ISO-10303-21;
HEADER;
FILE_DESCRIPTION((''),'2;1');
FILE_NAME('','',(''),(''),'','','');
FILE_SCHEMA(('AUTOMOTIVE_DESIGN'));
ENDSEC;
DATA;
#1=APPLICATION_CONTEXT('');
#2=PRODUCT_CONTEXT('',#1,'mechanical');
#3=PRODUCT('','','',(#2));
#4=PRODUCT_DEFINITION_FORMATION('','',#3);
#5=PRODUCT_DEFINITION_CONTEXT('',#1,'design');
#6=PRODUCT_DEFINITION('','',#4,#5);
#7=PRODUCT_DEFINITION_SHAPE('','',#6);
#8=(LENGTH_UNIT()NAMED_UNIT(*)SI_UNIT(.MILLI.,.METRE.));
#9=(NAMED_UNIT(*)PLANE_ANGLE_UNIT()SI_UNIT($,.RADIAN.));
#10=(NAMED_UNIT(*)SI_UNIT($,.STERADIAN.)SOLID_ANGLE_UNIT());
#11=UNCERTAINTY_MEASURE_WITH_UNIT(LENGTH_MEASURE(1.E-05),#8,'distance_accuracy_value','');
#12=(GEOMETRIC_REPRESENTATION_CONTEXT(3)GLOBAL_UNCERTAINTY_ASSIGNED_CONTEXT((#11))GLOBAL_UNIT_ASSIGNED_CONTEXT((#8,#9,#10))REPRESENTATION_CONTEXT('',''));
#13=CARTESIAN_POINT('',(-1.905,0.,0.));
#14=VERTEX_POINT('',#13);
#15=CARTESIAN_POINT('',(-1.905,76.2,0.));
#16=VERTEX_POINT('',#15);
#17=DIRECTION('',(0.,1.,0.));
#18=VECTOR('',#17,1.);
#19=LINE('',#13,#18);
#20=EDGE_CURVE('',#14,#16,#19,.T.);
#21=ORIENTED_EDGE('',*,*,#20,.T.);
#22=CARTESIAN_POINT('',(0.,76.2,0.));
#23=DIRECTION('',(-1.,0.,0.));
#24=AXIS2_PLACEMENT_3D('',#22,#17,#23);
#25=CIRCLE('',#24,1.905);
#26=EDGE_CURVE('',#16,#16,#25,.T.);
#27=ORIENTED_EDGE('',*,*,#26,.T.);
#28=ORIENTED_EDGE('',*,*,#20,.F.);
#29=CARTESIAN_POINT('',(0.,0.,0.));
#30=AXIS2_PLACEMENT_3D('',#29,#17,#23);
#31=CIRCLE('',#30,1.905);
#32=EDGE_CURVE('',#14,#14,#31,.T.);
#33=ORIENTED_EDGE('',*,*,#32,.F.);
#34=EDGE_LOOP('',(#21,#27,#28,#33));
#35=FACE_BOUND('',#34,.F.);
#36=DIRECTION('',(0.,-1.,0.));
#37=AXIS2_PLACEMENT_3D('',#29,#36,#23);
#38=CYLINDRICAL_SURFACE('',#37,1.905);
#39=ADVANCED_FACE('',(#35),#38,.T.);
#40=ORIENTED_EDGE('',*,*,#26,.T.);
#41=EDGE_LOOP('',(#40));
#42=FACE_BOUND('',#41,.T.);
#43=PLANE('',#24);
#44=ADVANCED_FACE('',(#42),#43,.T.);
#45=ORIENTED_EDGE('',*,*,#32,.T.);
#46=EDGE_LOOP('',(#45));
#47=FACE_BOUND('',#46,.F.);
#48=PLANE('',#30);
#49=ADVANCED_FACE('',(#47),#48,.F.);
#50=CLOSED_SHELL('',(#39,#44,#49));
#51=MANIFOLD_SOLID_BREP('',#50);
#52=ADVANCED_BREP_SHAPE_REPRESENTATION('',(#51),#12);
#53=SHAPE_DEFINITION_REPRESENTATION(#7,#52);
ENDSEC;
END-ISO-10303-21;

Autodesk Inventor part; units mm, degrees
ref_plane "YZ Plane" through (0, 0, 0) normal (1, 0, 0) x (0, 1, 0)
ref_plane "XZ Plane" through (0, 0, 0) normal (0, 1, 0) x (-1, 0, 0)
ref_plane "XY Plane" through (0, 0, 0) normal (0, 0, 1) x (1, 0, 0)
sketch "Sketch1" plane through (0, 0, 0) normal (0, 1, 0) x (-1, 0, 0)
  circle A0 centre (0, 0) radius 1.905
  dimension "d0" = 3.81
extrude "Extrusion1" add sketch "Sketch1" along normal blind 76.2
properties part number "WHEEL RODS"
